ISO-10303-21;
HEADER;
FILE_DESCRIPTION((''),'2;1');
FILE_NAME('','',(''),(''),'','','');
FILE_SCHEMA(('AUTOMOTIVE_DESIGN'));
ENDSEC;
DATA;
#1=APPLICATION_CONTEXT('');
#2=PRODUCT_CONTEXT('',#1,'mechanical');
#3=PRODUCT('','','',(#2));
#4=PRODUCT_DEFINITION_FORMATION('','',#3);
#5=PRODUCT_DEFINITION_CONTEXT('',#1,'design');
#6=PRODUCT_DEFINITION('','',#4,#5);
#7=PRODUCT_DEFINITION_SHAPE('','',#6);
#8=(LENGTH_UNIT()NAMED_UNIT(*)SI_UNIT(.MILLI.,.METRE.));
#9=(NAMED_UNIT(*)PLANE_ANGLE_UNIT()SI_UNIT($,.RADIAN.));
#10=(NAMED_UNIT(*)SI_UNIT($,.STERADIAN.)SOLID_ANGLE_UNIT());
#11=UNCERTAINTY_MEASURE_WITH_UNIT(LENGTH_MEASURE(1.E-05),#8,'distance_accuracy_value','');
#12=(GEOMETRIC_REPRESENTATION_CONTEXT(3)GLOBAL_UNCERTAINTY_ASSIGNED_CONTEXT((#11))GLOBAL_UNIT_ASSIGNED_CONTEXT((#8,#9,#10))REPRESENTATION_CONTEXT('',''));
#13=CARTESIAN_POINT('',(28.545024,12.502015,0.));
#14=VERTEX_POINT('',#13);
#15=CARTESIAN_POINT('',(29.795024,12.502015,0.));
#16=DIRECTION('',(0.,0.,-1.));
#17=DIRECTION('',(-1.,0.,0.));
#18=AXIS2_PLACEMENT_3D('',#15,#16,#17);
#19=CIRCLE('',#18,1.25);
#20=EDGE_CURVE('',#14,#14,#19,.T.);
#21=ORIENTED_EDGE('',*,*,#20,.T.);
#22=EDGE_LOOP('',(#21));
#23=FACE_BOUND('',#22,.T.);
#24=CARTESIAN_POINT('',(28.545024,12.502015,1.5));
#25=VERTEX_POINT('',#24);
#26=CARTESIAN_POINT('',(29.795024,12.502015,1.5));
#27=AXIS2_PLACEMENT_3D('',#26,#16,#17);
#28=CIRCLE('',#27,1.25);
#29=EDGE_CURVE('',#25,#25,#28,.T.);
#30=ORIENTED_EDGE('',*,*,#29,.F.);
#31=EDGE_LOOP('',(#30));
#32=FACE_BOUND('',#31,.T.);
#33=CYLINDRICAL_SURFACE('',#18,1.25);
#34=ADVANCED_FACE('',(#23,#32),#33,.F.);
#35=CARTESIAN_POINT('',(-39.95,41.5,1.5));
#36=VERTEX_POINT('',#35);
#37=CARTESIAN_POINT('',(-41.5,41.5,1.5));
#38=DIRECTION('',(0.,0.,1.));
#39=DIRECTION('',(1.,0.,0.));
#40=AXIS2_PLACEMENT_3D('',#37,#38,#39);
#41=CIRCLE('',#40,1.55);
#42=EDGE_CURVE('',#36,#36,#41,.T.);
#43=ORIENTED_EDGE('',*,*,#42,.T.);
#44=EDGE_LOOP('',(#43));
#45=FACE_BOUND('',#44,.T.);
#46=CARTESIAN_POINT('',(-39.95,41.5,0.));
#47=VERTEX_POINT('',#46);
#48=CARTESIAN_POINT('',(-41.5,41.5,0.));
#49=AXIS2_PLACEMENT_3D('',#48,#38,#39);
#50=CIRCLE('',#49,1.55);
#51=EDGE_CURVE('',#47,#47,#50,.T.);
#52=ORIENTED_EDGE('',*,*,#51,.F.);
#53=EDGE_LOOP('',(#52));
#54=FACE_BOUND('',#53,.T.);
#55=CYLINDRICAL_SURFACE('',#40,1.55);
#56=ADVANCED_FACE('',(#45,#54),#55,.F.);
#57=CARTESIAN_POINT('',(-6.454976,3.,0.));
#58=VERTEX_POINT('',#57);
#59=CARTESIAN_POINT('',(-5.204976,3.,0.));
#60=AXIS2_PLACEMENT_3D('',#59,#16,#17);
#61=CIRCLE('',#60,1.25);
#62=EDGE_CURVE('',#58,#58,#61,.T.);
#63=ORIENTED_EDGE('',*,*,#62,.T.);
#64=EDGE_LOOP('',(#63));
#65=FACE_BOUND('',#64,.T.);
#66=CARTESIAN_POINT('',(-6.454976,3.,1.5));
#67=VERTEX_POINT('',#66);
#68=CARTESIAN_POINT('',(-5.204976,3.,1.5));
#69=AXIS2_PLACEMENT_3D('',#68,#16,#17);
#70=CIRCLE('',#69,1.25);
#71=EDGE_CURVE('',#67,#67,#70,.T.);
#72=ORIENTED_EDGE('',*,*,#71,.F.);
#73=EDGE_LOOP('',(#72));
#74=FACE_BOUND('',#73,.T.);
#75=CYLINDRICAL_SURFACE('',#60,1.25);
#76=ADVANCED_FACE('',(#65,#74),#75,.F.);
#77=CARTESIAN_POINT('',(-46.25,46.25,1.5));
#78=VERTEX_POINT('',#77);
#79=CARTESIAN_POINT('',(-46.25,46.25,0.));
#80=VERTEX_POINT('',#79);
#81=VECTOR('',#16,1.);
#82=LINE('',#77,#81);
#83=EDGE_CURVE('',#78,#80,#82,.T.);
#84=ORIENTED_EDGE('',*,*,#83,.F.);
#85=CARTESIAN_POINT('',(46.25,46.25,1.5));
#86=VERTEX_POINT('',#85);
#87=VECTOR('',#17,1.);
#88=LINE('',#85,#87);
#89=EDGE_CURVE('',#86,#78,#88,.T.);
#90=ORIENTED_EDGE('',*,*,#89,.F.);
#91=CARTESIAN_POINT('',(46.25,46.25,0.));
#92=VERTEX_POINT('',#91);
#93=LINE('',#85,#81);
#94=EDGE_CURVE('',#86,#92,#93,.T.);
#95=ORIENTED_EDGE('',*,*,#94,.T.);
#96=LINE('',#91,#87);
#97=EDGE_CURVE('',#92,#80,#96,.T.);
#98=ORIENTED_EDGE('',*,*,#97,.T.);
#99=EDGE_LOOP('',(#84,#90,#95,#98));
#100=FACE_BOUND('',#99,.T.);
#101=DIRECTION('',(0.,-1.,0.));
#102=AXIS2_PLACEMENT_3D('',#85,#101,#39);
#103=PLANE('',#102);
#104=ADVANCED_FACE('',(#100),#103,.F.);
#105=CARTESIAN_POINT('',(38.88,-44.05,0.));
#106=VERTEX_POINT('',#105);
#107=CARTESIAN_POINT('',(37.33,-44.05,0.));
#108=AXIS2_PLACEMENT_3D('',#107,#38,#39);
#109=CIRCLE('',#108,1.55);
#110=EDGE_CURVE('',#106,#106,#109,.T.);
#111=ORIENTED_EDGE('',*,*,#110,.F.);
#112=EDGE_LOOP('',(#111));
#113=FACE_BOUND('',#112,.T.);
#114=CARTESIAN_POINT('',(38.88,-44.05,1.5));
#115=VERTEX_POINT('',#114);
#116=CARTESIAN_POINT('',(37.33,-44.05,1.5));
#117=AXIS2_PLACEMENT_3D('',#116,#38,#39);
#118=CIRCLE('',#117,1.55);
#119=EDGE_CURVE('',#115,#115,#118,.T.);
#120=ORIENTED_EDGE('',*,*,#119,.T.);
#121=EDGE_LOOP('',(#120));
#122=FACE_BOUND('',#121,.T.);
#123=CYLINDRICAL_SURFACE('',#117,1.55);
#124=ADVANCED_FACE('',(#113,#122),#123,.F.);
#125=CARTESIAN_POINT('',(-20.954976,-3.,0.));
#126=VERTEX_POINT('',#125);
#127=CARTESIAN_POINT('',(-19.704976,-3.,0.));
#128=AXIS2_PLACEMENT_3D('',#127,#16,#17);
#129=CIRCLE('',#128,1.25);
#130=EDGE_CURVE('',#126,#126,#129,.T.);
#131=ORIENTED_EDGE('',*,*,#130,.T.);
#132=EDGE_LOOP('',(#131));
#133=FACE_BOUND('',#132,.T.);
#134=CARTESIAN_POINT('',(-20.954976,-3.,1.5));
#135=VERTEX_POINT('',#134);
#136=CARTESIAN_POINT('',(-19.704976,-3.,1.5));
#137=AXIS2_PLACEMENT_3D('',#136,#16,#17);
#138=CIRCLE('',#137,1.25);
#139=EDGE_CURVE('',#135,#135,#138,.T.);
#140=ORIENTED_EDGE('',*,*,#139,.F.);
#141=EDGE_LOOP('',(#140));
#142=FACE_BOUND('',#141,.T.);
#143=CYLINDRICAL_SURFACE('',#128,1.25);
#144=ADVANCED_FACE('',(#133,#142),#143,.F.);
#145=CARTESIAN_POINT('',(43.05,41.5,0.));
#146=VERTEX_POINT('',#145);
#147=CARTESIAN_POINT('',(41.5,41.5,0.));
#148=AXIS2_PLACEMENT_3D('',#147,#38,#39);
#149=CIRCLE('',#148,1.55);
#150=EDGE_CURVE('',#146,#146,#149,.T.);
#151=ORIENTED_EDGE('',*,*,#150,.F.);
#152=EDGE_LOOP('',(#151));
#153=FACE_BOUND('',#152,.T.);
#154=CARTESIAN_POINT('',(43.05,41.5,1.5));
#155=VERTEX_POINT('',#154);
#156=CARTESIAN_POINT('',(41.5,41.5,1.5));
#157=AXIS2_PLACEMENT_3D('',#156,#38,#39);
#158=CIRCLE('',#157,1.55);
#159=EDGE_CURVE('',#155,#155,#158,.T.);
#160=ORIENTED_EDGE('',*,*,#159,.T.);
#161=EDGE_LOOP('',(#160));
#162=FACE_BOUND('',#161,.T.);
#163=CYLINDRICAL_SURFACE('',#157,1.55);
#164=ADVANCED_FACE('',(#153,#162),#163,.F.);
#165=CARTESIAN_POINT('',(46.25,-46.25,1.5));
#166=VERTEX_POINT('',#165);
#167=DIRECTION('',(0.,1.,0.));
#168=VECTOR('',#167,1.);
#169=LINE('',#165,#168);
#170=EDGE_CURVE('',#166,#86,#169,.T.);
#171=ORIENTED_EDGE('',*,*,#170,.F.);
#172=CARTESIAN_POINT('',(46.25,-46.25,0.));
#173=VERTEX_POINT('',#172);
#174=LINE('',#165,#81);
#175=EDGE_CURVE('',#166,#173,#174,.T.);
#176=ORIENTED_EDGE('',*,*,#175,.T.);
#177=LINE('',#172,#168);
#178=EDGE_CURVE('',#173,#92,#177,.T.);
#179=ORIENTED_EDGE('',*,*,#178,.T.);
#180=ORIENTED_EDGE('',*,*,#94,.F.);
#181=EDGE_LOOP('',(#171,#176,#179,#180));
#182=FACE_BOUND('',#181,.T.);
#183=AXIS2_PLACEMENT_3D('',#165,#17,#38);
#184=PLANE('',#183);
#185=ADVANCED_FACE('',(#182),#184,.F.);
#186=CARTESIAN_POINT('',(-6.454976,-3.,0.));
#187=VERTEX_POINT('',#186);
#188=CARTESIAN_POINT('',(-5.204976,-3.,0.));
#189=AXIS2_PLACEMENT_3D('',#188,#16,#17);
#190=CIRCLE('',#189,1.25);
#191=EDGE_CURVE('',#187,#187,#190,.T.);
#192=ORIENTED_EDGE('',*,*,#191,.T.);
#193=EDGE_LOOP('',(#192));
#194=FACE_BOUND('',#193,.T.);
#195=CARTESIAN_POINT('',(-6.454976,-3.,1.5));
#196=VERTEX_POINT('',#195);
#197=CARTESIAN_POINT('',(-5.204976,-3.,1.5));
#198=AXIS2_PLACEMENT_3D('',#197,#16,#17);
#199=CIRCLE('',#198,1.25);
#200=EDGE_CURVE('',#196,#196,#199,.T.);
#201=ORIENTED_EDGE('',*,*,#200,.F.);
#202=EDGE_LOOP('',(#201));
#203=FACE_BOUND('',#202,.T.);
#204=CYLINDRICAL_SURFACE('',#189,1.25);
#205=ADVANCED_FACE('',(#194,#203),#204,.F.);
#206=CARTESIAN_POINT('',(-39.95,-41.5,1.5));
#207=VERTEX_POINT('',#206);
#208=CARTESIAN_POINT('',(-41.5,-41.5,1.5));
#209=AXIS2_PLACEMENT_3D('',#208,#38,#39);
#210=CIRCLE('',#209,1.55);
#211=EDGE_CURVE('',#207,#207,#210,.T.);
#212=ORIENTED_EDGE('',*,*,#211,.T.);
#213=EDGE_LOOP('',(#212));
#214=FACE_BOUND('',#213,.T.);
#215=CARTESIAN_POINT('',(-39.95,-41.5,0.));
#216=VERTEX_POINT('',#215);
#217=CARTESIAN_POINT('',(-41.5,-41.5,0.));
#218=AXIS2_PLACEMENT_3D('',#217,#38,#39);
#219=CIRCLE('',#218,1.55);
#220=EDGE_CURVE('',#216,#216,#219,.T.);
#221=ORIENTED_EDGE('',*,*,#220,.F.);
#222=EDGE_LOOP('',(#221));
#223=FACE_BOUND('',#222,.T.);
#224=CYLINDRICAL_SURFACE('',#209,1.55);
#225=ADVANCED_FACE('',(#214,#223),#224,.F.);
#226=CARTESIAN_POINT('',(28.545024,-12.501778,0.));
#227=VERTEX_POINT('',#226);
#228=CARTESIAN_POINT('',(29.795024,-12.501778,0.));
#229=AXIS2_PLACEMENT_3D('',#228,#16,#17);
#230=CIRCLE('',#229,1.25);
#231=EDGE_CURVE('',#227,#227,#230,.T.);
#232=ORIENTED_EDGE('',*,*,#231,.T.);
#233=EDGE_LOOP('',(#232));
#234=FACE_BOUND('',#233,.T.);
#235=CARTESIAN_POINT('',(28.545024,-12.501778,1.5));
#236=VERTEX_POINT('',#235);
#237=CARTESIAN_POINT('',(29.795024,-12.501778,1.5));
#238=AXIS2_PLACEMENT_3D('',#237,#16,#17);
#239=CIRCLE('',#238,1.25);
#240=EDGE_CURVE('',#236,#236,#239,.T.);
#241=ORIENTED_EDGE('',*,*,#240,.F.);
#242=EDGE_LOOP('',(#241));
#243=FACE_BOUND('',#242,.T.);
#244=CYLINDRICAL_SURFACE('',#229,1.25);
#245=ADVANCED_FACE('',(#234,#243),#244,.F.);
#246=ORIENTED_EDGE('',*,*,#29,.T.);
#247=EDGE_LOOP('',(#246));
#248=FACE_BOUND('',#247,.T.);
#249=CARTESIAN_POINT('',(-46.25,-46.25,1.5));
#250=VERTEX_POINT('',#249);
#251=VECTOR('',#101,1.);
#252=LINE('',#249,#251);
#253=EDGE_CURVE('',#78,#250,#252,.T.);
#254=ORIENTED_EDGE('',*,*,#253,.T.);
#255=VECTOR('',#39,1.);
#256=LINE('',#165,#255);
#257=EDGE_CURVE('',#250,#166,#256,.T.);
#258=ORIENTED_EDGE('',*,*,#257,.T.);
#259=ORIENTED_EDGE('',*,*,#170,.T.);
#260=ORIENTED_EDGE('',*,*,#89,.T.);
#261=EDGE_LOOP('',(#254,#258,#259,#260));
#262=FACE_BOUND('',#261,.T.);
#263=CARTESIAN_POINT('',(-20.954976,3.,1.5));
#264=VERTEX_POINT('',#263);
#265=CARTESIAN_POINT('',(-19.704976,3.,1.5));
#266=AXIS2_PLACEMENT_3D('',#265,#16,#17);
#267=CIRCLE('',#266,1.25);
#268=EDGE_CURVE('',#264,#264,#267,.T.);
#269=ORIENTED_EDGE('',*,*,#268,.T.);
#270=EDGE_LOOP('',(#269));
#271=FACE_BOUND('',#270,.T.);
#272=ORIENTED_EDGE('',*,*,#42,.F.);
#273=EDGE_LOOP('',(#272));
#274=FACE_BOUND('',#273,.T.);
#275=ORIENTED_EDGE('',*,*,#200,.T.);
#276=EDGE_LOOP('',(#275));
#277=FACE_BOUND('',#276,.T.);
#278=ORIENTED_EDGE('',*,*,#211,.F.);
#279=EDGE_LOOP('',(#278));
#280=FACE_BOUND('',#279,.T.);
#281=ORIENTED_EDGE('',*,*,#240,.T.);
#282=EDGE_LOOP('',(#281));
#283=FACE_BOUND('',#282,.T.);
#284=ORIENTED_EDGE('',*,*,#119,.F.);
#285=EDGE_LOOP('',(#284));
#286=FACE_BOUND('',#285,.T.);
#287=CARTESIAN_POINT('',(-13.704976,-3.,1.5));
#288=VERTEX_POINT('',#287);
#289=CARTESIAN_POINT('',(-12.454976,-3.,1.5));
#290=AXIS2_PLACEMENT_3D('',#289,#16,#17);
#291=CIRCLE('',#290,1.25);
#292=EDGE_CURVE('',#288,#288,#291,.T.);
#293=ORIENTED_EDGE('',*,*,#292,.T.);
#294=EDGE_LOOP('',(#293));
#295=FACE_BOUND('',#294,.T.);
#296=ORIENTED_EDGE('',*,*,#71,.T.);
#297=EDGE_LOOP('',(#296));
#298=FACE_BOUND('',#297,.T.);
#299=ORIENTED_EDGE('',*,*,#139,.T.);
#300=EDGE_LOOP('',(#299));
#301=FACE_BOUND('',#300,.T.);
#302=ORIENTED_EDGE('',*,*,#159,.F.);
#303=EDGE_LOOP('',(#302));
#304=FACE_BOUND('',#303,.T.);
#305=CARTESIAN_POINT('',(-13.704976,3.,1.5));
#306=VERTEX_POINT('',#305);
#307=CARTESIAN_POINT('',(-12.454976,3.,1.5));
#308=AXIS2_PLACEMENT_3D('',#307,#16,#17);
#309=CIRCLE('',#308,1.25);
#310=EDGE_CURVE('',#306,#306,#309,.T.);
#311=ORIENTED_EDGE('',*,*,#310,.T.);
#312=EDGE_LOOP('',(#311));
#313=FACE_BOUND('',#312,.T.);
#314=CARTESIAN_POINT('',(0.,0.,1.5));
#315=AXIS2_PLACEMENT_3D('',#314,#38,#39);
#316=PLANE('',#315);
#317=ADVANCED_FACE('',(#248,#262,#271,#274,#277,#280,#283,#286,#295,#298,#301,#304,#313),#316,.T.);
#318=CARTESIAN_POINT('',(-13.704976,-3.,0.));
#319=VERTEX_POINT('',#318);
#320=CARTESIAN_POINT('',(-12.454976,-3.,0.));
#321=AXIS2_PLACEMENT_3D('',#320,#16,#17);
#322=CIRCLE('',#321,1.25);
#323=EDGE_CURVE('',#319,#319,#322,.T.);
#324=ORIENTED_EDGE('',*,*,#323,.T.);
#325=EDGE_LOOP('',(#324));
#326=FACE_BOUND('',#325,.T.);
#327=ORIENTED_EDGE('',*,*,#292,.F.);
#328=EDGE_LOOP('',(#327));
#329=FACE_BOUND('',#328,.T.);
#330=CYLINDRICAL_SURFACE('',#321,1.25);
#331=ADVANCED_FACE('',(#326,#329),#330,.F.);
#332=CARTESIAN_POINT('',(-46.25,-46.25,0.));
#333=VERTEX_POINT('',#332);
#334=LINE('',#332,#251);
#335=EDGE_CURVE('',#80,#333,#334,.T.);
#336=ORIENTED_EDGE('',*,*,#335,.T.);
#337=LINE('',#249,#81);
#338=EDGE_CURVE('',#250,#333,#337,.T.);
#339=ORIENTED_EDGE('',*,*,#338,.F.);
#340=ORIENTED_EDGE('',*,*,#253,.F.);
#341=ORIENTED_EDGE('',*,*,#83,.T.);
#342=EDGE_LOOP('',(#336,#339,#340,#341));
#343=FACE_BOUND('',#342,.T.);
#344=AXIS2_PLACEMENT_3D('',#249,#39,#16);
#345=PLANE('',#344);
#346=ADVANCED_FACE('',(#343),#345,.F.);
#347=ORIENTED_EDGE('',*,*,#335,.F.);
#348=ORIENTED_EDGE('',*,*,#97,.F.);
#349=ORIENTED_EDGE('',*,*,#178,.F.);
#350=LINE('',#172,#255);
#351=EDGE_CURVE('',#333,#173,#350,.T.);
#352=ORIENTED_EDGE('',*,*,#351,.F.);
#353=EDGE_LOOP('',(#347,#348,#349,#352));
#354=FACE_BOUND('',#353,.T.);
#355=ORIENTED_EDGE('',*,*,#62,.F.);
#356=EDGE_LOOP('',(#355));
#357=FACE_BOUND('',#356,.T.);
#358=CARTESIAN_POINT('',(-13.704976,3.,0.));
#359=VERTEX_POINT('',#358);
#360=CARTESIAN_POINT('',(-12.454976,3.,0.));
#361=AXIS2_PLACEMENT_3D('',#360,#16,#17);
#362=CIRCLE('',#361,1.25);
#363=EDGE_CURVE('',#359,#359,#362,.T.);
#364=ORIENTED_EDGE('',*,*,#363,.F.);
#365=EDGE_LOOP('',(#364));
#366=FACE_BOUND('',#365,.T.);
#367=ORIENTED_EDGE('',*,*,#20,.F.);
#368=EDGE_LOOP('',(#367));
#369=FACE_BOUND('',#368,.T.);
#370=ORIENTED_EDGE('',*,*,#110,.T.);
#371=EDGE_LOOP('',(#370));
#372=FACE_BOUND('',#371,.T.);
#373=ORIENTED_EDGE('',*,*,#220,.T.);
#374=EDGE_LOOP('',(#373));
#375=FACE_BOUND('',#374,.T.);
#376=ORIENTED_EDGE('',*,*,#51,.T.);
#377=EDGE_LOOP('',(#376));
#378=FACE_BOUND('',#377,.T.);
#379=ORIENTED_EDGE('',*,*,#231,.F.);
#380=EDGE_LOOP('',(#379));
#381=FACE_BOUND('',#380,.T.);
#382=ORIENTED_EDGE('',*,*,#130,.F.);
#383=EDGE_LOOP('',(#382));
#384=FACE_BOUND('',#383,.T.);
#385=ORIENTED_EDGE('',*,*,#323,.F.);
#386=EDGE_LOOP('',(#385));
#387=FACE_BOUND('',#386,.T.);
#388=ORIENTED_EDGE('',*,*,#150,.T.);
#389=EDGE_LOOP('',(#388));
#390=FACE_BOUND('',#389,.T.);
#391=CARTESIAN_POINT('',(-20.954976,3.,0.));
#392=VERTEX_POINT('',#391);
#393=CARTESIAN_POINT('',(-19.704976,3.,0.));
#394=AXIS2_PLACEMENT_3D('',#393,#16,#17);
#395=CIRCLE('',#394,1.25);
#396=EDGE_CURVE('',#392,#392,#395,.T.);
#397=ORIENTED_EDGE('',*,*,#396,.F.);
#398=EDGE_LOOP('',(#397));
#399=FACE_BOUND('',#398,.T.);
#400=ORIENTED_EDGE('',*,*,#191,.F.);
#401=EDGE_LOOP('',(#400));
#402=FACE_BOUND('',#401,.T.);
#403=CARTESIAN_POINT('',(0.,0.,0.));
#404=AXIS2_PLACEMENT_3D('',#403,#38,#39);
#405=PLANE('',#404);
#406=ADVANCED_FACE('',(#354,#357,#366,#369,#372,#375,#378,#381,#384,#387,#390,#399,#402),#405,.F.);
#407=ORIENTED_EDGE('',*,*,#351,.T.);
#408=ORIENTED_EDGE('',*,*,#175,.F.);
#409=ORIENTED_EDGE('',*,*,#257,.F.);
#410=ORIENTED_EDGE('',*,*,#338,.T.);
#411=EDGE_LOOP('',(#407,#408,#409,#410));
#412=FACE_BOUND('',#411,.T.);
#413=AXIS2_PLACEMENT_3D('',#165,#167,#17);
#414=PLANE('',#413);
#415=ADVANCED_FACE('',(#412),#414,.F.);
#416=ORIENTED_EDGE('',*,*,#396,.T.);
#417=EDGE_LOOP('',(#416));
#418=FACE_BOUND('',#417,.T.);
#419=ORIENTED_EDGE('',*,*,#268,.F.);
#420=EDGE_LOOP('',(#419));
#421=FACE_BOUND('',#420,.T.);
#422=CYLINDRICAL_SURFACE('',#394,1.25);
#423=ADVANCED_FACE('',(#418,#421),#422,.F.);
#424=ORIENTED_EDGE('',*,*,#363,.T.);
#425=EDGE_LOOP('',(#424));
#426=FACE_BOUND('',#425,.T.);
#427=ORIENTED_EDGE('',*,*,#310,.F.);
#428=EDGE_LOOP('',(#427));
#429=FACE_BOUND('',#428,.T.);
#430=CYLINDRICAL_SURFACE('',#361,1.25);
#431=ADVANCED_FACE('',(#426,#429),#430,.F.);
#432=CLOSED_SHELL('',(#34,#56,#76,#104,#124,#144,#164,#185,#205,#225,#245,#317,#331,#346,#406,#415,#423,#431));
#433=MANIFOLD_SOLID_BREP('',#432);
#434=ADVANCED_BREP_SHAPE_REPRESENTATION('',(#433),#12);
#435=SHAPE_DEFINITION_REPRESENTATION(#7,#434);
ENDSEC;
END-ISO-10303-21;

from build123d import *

# Parameters (mm, degrees)
SKETCH1_W                  = 92.5
SKETCH1_H                  = 92.5
BOSS_EXTRUDE1_DEPTH        = 1.5
F_3_1_3_1_DIAMETER_HOLE1_D = 3.1
F_2_5_2_5_DIAMETER_HOLE1_D = 2.5


with BuildPart() as part:
    # Sketch1 → Boss-Extrude1 (new body)
    with BuildSketch(Plane.XY):
        Rectangle(SKETCH1_W, SKETCH1_H)
    extrude(amount=BOSS_EXTRUDE1_DEPTH)

    # Ø3.1 (3.1) Diameter Hole1 (through all)
    with Locations(Plane.XY.offset(1.5)):
        with Locations((-41.5, 41.5), (41.5, 41.5), (37.33, -44.05), (-41.5, -41.5)):
            Hole(F_3_1_3_1_DIAMETER_HOLE1_D / 2)

    # Ø2.5 (2.5) Diameter Hole1 (through all)
    with Locations(Plane(origin=(0, 0, 0), x_dir=(-1, 0, 0), z_dir=(0, 0, -1))):
        with Locations((19.704975955, 3), (19.704975955, -3), (12.454975955, -3), (12.454975955, 3), (5.204975955, 3), (5.204975955, -3), (-29.795024045, 12.502014748), (-29.795024045, -12.501777911)):
            Hole(F_2_5_2_5_DIAMETER_HOLE1_D / 2)


solid = part.part
